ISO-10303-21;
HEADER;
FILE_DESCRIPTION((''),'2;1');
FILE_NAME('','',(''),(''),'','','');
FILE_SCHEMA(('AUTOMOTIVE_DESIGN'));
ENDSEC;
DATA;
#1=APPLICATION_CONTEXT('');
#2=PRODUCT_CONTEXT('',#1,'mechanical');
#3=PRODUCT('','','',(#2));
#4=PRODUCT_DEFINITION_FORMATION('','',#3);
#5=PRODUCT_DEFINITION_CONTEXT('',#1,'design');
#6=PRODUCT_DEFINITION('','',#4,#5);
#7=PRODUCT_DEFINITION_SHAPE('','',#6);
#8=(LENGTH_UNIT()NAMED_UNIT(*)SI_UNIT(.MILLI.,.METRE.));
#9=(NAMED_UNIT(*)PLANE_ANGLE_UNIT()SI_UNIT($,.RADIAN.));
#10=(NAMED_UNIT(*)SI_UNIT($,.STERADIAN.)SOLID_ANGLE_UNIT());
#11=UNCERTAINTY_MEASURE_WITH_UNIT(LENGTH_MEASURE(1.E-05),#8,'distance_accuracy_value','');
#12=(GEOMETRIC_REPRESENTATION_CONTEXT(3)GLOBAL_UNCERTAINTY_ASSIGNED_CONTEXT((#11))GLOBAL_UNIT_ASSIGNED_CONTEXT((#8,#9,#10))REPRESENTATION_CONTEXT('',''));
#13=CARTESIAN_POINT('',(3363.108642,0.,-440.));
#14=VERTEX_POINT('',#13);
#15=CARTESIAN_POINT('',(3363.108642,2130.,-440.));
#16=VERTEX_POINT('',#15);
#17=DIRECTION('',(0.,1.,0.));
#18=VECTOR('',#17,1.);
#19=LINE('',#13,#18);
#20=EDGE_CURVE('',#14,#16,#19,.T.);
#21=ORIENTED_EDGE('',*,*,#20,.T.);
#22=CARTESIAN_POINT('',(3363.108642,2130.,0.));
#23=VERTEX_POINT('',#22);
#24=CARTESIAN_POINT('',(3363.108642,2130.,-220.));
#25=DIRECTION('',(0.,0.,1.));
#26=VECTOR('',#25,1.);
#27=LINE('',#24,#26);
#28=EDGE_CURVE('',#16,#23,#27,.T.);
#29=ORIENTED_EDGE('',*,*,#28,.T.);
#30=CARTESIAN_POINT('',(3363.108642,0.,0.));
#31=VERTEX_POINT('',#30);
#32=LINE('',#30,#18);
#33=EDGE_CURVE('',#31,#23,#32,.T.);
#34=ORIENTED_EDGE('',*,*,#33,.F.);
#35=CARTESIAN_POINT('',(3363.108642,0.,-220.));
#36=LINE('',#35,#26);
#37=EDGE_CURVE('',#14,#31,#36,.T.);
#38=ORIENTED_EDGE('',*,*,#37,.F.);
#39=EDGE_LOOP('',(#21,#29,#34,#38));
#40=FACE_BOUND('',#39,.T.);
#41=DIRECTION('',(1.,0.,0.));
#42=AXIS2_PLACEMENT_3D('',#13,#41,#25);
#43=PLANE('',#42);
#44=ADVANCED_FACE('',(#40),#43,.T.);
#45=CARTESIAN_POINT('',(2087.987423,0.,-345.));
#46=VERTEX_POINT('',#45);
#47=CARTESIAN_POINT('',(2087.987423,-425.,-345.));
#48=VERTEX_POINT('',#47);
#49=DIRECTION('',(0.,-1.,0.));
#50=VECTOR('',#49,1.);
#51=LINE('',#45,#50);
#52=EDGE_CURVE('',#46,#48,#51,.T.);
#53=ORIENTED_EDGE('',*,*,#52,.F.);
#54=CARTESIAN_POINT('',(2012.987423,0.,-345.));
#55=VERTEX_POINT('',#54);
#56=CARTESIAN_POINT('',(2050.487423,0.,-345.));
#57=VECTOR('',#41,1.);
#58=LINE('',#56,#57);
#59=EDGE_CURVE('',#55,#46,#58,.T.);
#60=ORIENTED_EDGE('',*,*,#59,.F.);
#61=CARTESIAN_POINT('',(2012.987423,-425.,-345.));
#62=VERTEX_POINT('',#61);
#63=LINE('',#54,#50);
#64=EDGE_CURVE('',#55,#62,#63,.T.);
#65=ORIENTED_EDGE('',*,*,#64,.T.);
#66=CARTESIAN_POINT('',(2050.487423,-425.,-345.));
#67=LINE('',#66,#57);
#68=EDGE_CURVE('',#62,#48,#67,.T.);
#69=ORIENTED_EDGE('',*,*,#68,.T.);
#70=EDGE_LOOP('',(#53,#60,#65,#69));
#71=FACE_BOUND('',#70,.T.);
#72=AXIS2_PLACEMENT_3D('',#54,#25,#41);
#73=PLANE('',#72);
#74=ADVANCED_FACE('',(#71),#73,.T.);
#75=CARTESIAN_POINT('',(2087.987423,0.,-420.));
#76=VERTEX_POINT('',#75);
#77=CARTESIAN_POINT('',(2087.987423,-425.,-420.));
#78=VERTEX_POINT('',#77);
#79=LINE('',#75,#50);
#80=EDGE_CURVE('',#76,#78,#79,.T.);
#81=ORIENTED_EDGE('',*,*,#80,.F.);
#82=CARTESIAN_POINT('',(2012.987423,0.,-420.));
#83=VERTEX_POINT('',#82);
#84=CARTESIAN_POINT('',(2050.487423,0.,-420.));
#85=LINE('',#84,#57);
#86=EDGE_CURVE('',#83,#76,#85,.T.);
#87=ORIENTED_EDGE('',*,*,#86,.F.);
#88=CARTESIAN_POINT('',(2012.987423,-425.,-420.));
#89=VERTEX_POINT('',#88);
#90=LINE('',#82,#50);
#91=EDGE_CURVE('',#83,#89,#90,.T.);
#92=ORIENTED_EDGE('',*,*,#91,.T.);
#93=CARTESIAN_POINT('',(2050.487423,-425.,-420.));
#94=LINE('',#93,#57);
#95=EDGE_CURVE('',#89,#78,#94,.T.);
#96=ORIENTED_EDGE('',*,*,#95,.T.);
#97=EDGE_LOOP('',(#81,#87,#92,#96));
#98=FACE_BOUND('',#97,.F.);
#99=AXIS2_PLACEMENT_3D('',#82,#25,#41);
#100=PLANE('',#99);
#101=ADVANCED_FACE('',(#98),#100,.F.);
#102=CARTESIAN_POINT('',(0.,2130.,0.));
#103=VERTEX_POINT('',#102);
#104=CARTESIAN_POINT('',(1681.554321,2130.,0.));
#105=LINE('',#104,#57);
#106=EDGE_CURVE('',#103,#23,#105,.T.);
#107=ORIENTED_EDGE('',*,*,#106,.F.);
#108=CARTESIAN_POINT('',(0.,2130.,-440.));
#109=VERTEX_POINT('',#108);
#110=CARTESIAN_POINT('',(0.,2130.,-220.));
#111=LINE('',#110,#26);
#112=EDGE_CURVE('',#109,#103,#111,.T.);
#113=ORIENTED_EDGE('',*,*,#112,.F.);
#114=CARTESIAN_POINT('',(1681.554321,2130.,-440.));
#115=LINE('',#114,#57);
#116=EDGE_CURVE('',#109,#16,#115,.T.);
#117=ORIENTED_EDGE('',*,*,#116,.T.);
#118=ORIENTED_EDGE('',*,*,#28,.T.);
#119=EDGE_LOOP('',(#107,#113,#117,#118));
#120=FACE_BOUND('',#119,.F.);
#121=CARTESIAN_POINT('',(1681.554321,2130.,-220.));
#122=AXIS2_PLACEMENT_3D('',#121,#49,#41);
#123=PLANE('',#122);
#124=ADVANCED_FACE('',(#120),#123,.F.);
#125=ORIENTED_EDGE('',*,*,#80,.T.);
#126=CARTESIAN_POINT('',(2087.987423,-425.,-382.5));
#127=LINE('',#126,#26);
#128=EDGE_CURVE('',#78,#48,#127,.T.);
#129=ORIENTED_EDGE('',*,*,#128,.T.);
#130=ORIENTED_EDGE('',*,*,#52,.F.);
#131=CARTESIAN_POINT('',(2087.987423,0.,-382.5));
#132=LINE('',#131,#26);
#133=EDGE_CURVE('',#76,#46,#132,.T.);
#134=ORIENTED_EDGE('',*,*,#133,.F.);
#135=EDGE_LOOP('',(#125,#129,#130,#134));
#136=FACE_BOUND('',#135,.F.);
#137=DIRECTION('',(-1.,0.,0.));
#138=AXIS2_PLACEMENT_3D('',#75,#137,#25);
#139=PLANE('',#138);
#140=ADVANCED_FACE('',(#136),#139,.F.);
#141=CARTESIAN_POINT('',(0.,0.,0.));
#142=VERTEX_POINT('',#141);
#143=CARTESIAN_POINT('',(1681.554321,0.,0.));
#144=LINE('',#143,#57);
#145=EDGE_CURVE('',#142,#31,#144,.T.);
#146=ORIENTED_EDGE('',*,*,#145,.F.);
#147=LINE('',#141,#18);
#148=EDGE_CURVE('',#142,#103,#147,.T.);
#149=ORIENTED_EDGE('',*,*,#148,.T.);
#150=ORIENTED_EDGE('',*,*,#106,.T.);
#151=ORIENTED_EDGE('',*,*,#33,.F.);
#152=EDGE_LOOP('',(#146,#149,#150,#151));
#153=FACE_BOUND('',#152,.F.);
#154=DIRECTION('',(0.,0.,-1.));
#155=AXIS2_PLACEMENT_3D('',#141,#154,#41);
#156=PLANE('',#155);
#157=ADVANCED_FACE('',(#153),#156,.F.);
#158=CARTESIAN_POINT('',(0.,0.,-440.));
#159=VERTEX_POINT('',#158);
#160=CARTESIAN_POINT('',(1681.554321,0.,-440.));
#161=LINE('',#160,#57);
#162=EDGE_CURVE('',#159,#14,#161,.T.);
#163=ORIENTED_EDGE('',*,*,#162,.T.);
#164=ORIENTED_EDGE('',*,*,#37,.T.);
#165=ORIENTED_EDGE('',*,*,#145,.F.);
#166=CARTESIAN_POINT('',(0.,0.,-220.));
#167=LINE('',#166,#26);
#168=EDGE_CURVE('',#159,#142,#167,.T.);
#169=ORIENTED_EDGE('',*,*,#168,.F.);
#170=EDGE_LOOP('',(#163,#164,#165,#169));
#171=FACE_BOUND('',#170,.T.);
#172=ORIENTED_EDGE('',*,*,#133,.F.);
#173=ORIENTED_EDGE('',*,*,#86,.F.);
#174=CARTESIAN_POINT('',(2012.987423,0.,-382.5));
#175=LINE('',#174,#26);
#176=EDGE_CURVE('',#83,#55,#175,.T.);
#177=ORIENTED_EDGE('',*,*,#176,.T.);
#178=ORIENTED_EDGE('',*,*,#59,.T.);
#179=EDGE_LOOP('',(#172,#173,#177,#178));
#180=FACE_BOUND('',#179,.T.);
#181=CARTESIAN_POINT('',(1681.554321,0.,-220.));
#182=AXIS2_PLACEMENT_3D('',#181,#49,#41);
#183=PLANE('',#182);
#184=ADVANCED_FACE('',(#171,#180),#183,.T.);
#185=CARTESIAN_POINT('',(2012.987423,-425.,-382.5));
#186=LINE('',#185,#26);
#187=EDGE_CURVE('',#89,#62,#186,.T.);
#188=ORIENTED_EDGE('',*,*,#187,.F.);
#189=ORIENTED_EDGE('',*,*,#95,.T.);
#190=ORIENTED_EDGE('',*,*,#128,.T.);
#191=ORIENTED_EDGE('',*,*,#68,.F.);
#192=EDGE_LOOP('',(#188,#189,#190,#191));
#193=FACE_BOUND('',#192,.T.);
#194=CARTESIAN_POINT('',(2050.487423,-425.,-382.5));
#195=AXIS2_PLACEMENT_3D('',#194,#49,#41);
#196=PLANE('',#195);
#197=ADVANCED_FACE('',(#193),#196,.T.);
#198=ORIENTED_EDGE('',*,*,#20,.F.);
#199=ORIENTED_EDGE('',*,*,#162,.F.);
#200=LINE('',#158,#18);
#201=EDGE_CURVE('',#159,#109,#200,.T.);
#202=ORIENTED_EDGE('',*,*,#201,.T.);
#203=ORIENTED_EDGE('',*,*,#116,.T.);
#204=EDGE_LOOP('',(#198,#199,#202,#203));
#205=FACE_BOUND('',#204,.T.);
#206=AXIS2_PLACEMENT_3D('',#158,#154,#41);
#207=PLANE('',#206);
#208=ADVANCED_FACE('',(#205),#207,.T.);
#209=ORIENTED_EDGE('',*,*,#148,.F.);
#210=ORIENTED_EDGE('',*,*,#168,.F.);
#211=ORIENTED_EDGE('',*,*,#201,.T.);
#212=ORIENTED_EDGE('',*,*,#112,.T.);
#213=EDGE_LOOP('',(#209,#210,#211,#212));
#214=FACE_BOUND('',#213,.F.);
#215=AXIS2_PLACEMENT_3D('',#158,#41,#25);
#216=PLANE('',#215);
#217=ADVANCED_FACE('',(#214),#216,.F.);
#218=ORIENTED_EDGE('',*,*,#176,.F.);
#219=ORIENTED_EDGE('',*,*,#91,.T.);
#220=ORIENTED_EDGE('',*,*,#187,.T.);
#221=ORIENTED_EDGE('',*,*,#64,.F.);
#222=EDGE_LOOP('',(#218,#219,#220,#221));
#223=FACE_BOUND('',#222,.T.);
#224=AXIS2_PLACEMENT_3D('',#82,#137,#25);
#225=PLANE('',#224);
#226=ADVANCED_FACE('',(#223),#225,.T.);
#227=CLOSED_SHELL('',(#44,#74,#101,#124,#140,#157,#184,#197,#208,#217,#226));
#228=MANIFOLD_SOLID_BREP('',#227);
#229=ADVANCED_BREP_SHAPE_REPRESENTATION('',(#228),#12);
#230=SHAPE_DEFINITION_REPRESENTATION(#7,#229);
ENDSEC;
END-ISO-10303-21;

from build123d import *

# Parameters (mm, degrees)
F0_W     = 3363.108642
F0_H     = 440
F1_DEPTH = 2130
F2_W     = 75
F2_H     = 75
F3_DEPTH = 425


with BuildPart() as f1:
    # F0 (on Front) → F1 (new body)
    with BuildSketch(Plane.XZ):
        with Locations((1681.554321, -220)):
            Rectangle(F0_W, F0_H)
    extrude(amount=-F1_DEPTH)

    # F2 (on face) → F3 (join)
    with BuildSketch(Plane.XZ):
        with Locations((2050.487423, -382.5)):
            Rectangle(F2_W, F2_H)
    extrude(amount=F3_DEPTH)


solid = f1.part
